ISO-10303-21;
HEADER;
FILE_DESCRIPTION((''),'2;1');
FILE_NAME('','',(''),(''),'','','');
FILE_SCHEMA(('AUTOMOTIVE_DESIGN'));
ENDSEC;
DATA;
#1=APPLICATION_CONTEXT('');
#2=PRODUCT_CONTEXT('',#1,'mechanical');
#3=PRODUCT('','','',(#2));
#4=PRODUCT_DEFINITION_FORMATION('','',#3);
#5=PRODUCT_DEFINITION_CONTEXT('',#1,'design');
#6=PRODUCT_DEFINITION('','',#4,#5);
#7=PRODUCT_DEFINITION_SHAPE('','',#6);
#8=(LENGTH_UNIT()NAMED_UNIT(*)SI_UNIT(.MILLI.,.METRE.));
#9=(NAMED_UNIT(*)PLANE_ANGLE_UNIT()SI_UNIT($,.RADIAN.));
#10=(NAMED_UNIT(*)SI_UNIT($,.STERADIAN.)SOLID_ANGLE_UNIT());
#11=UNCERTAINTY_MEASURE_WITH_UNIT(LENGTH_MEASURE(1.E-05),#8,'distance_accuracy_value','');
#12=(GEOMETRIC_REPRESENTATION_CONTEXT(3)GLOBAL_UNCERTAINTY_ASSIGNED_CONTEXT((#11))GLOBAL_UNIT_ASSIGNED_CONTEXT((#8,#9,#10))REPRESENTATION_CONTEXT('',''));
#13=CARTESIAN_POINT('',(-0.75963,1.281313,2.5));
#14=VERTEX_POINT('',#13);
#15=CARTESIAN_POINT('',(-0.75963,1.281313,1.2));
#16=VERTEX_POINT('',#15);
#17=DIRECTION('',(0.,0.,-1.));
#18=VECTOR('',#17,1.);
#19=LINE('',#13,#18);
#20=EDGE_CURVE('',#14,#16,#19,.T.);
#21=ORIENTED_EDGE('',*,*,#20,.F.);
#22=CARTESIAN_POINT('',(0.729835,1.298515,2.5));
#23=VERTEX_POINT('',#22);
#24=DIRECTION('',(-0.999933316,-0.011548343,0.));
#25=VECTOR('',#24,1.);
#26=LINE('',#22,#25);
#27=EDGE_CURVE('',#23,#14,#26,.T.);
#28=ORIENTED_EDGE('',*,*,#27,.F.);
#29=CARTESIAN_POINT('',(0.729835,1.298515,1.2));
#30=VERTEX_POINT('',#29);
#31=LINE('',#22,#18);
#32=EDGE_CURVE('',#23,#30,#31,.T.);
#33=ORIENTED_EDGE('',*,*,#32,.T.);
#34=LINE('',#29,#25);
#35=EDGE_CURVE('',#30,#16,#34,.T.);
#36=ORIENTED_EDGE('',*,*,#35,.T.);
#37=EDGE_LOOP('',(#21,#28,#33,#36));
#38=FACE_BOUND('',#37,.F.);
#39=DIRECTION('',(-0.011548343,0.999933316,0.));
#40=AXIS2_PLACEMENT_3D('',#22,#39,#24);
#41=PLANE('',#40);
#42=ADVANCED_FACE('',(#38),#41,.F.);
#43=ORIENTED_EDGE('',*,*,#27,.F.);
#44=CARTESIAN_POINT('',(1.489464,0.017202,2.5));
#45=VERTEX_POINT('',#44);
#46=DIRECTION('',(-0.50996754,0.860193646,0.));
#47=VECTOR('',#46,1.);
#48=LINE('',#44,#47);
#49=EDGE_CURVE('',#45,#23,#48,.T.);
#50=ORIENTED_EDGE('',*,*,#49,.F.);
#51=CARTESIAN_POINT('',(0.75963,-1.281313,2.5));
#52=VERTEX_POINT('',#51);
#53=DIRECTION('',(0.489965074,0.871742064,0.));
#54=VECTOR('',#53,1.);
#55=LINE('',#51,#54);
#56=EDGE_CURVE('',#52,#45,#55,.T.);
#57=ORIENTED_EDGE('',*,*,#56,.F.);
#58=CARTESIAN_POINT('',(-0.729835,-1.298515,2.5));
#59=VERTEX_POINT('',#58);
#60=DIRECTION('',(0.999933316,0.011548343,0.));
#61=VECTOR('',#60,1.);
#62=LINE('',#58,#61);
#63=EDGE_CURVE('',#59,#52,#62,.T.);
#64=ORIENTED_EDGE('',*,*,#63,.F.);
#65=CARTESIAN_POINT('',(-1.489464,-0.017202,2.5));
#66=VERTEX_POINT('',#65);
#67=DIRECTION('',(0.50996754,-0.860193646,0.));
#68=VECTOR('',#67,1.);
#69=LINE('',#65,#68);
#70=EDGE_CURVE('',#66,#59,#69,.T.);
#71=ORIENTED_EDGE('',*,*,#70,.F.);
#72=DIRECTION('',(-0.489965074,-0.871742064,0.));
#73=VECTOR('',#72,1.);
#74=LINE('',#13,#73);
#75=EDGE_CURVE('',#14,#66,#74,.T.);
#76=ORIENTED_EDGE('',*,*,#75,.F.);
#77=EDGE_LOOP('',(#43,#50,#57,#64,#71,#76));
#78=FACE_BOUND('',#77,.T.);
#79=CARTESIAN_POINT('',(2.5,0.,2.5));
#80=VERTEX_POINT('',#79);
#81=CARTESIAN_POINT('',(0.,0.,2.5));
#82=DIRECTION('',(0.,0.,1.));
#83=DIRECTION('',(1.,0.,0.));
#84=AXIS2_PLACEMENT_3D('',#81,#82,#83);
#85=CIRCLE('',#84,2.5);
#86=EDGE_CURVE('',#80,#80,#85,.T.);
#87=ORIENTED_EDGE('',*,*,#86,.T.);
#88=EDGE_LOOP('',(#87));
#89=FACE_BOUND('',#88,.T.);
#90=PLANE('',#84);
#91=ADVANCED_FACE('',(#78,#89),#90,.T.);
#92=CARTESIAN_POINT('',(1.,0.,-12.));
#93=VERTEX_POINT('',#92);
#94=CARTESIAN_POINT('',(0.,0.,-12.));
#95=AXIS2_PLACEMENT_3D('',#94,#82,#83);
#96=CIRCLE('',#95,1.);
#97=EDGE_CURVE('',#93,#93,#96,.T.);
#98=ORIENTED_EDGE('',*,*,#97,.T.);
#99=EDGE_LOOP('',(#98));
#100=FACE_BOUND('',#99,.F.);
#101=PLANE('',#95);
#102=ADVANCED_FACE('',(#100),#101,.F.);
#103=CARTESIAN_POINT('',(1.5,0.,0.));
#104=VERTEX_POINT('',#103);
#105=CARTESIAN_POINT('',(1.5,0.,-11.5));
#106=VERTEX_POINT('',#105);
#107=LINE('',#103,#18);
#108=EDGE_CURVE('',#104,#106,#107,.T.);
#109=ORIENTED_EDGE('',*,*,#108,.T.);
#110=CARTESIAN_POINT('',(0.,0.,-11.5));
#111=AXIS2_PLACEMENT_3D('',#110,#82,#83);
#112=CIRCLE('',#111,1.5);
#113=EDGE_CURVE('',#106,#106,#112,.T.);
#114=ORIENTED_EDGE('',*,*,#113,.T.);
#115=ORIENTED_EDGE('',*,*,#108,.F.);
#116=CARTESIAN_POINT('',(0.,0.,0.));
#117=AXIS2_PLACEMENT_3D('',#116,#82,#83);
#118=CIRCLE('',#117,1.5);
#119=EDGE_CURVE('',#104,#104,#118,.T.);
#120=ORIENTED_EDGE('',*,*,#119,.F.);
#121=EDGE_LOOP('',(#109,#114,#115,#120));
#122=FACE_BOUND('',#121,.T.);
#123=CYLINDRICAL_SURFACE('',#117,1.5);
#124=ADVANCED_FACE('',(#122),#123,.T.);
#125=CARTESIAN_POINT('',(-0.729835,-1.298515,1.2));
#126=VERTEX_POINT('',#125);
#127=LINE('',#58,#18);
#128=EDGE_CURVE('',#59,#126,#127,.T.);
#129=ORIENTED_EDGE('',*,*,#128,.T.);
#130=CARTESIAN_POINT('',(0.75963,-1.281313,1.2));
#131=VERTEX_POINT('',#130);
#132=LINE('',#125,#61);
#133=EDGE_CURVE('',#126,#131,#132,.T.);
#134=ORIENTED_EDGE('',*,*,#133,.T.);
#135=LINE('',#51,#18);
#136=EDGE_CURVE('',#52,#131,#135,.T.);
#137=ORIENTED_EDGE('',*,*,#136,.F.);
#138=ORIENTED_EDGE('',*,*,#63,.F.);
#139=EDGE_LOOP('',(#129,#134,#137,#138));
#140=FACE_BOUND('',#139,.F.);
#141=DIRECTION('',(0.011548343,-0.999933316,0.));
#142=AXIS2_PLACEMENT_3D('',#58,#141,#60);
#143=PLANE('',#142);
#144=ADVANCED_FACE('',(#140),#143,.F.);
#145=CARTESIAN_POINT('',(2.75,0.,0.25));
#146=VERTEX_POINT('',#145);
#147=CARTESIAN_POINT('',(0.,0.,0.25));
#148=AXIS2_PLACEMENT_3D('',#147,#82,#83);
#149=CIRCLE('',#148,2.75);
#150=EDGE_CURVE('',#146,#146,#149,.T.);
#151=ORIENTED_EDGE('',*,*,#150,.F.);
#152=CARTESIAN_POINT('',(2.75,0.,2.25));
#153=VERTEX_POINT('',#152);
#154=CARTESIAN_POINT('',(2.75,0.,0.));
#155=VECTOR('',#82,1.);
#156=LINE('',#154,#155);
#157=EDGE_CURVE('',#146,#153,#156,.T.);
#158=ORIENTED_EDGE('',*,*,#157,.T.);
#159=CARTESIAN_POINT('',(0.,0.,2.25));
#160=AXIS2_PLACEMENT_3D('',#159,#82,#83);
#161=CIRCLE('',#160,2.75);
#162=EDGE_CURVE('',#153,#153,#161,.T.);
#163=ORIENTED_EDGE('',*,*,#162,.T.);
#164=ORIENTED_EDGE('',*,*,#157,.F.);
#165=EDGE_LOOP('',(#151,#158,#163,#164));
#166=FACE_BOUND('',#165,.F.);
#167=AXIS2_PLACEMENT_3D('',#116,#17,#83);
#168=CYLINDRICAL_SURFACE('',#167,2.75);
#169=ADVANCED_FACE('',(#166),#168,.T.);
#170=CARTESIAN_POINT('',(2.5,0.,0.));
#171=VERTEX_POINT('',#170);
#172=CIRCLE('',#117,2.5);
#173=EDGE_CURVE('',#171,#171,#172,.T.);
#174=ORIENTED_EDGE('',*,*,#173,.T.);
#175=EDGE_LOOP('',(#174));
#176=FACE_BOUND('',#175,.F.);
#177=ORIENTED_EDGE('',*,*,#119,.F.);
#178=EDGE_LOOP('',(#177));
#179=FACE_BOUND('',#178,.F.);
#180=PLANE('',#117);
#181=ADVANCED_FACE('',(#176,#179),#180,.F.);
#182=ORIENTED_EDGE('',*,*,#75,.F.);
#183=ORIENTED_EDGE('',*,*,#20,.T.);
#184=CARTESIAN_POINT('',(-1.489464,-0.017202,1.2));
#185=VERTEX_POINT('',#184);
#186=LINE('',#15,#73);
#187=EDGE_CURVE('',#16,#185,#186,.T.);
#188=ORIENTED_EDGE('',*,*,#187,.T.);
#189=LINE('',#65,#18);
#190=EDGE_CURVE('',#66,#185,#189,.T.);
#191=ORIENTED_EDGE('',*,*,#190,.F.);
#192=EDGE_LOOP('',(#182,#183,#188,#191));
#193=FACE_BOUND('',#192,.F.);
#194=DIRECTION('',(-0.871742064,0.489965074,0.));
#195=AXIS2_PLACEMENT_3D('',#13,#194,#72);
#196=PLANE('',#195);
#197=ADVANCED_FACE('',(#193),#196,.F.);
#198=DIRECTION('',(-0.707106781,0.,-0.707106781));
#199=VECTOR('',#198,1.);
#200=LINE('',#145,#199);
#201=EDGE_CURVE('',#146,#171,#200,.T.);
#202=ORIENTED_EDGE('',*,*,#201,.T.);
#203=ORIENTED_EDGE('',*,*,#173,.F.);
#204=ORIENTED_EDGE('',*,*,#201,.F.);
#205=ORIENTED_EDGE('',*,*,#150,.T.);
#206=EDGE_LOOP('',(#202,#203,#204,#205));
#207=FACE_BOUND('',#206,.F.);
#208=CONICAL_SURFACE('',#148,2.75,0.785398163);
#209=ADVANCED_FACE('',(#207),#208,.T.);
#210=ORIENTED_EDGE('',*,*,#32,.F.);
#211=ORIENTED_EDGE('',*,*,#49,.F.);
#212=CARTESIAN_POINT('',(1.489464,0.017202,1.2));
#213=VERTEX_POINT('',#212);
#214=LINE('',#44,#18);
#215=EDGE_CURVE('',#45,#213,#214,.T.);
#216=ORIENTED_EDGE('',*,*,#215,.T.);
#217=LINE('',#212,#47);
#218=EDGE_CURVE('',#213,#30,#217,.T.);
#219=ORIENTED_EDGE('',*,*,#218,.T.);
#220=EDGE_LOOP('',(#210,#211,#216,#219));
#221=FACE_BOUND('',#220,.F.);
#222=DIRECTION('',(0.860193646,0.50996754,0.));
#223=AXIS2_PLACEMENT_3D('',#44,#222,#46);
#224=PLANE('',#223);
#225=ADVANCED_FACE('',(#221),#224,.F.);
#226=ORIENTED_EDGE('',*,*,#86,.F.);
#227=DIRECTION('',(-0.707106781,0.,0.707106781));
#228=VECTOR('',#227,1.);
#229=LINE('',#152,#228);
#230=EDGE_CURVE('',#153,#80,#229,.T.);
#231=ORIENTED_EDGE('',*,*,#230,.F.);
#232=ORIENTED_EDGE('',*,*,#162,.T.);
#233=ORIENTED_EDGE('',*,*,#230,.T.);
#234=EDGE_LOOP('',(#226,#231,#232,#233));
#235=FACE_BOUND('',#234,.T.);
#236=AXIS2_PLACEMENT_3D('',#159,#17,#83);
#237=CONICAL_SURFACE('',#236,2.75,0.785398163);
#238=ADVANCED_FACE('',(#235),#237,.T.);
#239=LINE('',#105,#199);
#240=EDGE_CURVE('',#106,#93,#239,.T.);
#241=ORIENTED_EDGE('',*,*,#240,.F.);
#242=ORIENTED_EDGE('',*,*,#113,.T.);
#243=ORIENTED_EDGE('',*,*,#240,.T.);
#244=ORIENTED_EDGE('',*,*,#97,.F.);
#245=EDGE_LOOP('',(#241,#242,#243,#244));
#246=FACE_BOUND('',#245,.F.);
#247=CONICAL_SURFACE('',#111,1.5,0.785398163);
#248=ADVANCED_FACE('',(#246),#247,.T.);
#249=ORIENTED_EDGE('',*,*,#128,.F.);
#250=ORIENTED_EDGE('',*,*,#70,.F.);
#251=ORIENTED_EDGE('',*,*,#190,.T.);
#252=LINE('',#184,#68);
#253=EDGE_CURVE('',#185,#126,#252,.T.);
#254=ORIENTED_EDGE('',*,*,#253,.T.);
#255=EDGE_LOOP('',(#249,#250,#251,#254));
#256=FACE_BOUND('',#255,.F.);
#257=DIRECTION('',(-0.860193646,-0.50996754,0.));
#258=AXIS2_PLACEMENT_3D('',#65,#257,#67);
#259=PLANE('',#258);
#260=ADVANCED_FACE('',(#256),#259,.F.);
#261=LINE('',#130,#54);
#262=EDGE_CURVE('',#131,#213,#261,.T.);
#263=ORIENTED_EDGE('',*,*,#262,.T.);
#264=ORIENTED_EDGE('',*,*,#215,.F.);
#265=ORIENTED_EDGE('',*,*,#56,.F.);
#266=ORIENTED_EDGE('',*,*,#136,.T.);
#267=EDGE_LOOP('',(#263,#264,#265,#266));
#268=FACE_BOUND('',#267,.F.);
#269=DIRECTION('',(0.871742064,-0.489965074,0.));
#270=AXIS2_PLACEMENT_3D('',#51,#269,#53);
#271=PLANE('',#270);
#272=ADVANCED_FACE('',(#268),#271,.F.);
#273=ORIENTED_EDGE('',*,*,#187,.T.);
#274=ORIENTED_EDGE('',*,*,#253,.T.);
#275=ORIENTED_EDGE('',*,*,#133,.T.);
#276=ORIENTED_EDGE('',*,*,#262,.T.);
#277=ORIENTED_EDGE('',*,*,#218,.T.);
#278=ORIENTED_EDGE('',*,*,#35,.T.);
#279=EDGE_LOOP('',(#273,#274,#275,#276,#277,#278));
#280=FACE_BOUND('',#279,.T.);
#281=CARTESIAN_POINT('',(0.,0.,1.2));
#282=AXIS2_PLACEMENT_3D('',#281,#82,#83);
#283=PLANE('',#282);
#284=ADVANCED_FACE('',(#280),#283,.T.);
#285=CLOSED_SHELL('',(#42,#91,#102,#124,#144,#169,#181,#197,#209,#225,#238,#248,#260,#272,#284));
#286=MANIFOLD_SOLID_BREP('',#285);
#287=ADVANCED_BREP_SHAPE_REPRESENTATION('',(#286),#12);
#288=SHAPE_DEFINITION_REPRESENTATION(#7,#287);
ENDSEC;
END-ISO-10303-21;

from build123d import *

# Parameters (mm, degrees)
F0_R     = 1.5
F1_DEPTH = 12
F2_SIZE  = 0.5
F0_R_2   = 2.75
F3_DEPTH = 2.5
F4_SIZE  = 0.25
F6_DEPTH = 1.3


with BuildPart() as f1:
    # F0 (on Top) → F1 (new body)
    with BuildSketch(Plane.XY):
        Circle(F0_R)
    extrude(amount=-F1_DEPTH)

    # F2
    f2_edges = [f1.edges().sort_by_distance(p)[0] for p in [
        (-1.5, 0, -12),
    ]]
    chamfer(f2_edges, length=F2_SIZE)

    # F0 (on Top) → F3 (join)
    with BuildSketch(Plane.XY):
        Circle(F0_R_2)
        Circle(F0_R, mode=Mode.SUBTRACT)
        Circle(F0_R)
    extrude(amount=F3_DEPTH)

    # F4
    f4_edges = [f1.edges().sort_by_distance(p)[0] for p in [
        (-2.75, 0, 2.5),
        (-2.75, 0, 0),
    ]]
    chamfer(f4_edges, length=F4_SIZE)

    # F5 (on face) → F6 (cut)
    with BuildSketch(Plane.XY.offset(2.5)):
        Polygon((0.75963, -1.281313), (1.489464, 0.017202), (0.729835, 1.298515), (-0.75963, 1.281313), (-1.489464, -0.017202), (-0.729835, -1.298515), align=None)
    extrude(amount=-F6_DEPTH, mode=Mode.SUBTRACT)


solid = f1.part
